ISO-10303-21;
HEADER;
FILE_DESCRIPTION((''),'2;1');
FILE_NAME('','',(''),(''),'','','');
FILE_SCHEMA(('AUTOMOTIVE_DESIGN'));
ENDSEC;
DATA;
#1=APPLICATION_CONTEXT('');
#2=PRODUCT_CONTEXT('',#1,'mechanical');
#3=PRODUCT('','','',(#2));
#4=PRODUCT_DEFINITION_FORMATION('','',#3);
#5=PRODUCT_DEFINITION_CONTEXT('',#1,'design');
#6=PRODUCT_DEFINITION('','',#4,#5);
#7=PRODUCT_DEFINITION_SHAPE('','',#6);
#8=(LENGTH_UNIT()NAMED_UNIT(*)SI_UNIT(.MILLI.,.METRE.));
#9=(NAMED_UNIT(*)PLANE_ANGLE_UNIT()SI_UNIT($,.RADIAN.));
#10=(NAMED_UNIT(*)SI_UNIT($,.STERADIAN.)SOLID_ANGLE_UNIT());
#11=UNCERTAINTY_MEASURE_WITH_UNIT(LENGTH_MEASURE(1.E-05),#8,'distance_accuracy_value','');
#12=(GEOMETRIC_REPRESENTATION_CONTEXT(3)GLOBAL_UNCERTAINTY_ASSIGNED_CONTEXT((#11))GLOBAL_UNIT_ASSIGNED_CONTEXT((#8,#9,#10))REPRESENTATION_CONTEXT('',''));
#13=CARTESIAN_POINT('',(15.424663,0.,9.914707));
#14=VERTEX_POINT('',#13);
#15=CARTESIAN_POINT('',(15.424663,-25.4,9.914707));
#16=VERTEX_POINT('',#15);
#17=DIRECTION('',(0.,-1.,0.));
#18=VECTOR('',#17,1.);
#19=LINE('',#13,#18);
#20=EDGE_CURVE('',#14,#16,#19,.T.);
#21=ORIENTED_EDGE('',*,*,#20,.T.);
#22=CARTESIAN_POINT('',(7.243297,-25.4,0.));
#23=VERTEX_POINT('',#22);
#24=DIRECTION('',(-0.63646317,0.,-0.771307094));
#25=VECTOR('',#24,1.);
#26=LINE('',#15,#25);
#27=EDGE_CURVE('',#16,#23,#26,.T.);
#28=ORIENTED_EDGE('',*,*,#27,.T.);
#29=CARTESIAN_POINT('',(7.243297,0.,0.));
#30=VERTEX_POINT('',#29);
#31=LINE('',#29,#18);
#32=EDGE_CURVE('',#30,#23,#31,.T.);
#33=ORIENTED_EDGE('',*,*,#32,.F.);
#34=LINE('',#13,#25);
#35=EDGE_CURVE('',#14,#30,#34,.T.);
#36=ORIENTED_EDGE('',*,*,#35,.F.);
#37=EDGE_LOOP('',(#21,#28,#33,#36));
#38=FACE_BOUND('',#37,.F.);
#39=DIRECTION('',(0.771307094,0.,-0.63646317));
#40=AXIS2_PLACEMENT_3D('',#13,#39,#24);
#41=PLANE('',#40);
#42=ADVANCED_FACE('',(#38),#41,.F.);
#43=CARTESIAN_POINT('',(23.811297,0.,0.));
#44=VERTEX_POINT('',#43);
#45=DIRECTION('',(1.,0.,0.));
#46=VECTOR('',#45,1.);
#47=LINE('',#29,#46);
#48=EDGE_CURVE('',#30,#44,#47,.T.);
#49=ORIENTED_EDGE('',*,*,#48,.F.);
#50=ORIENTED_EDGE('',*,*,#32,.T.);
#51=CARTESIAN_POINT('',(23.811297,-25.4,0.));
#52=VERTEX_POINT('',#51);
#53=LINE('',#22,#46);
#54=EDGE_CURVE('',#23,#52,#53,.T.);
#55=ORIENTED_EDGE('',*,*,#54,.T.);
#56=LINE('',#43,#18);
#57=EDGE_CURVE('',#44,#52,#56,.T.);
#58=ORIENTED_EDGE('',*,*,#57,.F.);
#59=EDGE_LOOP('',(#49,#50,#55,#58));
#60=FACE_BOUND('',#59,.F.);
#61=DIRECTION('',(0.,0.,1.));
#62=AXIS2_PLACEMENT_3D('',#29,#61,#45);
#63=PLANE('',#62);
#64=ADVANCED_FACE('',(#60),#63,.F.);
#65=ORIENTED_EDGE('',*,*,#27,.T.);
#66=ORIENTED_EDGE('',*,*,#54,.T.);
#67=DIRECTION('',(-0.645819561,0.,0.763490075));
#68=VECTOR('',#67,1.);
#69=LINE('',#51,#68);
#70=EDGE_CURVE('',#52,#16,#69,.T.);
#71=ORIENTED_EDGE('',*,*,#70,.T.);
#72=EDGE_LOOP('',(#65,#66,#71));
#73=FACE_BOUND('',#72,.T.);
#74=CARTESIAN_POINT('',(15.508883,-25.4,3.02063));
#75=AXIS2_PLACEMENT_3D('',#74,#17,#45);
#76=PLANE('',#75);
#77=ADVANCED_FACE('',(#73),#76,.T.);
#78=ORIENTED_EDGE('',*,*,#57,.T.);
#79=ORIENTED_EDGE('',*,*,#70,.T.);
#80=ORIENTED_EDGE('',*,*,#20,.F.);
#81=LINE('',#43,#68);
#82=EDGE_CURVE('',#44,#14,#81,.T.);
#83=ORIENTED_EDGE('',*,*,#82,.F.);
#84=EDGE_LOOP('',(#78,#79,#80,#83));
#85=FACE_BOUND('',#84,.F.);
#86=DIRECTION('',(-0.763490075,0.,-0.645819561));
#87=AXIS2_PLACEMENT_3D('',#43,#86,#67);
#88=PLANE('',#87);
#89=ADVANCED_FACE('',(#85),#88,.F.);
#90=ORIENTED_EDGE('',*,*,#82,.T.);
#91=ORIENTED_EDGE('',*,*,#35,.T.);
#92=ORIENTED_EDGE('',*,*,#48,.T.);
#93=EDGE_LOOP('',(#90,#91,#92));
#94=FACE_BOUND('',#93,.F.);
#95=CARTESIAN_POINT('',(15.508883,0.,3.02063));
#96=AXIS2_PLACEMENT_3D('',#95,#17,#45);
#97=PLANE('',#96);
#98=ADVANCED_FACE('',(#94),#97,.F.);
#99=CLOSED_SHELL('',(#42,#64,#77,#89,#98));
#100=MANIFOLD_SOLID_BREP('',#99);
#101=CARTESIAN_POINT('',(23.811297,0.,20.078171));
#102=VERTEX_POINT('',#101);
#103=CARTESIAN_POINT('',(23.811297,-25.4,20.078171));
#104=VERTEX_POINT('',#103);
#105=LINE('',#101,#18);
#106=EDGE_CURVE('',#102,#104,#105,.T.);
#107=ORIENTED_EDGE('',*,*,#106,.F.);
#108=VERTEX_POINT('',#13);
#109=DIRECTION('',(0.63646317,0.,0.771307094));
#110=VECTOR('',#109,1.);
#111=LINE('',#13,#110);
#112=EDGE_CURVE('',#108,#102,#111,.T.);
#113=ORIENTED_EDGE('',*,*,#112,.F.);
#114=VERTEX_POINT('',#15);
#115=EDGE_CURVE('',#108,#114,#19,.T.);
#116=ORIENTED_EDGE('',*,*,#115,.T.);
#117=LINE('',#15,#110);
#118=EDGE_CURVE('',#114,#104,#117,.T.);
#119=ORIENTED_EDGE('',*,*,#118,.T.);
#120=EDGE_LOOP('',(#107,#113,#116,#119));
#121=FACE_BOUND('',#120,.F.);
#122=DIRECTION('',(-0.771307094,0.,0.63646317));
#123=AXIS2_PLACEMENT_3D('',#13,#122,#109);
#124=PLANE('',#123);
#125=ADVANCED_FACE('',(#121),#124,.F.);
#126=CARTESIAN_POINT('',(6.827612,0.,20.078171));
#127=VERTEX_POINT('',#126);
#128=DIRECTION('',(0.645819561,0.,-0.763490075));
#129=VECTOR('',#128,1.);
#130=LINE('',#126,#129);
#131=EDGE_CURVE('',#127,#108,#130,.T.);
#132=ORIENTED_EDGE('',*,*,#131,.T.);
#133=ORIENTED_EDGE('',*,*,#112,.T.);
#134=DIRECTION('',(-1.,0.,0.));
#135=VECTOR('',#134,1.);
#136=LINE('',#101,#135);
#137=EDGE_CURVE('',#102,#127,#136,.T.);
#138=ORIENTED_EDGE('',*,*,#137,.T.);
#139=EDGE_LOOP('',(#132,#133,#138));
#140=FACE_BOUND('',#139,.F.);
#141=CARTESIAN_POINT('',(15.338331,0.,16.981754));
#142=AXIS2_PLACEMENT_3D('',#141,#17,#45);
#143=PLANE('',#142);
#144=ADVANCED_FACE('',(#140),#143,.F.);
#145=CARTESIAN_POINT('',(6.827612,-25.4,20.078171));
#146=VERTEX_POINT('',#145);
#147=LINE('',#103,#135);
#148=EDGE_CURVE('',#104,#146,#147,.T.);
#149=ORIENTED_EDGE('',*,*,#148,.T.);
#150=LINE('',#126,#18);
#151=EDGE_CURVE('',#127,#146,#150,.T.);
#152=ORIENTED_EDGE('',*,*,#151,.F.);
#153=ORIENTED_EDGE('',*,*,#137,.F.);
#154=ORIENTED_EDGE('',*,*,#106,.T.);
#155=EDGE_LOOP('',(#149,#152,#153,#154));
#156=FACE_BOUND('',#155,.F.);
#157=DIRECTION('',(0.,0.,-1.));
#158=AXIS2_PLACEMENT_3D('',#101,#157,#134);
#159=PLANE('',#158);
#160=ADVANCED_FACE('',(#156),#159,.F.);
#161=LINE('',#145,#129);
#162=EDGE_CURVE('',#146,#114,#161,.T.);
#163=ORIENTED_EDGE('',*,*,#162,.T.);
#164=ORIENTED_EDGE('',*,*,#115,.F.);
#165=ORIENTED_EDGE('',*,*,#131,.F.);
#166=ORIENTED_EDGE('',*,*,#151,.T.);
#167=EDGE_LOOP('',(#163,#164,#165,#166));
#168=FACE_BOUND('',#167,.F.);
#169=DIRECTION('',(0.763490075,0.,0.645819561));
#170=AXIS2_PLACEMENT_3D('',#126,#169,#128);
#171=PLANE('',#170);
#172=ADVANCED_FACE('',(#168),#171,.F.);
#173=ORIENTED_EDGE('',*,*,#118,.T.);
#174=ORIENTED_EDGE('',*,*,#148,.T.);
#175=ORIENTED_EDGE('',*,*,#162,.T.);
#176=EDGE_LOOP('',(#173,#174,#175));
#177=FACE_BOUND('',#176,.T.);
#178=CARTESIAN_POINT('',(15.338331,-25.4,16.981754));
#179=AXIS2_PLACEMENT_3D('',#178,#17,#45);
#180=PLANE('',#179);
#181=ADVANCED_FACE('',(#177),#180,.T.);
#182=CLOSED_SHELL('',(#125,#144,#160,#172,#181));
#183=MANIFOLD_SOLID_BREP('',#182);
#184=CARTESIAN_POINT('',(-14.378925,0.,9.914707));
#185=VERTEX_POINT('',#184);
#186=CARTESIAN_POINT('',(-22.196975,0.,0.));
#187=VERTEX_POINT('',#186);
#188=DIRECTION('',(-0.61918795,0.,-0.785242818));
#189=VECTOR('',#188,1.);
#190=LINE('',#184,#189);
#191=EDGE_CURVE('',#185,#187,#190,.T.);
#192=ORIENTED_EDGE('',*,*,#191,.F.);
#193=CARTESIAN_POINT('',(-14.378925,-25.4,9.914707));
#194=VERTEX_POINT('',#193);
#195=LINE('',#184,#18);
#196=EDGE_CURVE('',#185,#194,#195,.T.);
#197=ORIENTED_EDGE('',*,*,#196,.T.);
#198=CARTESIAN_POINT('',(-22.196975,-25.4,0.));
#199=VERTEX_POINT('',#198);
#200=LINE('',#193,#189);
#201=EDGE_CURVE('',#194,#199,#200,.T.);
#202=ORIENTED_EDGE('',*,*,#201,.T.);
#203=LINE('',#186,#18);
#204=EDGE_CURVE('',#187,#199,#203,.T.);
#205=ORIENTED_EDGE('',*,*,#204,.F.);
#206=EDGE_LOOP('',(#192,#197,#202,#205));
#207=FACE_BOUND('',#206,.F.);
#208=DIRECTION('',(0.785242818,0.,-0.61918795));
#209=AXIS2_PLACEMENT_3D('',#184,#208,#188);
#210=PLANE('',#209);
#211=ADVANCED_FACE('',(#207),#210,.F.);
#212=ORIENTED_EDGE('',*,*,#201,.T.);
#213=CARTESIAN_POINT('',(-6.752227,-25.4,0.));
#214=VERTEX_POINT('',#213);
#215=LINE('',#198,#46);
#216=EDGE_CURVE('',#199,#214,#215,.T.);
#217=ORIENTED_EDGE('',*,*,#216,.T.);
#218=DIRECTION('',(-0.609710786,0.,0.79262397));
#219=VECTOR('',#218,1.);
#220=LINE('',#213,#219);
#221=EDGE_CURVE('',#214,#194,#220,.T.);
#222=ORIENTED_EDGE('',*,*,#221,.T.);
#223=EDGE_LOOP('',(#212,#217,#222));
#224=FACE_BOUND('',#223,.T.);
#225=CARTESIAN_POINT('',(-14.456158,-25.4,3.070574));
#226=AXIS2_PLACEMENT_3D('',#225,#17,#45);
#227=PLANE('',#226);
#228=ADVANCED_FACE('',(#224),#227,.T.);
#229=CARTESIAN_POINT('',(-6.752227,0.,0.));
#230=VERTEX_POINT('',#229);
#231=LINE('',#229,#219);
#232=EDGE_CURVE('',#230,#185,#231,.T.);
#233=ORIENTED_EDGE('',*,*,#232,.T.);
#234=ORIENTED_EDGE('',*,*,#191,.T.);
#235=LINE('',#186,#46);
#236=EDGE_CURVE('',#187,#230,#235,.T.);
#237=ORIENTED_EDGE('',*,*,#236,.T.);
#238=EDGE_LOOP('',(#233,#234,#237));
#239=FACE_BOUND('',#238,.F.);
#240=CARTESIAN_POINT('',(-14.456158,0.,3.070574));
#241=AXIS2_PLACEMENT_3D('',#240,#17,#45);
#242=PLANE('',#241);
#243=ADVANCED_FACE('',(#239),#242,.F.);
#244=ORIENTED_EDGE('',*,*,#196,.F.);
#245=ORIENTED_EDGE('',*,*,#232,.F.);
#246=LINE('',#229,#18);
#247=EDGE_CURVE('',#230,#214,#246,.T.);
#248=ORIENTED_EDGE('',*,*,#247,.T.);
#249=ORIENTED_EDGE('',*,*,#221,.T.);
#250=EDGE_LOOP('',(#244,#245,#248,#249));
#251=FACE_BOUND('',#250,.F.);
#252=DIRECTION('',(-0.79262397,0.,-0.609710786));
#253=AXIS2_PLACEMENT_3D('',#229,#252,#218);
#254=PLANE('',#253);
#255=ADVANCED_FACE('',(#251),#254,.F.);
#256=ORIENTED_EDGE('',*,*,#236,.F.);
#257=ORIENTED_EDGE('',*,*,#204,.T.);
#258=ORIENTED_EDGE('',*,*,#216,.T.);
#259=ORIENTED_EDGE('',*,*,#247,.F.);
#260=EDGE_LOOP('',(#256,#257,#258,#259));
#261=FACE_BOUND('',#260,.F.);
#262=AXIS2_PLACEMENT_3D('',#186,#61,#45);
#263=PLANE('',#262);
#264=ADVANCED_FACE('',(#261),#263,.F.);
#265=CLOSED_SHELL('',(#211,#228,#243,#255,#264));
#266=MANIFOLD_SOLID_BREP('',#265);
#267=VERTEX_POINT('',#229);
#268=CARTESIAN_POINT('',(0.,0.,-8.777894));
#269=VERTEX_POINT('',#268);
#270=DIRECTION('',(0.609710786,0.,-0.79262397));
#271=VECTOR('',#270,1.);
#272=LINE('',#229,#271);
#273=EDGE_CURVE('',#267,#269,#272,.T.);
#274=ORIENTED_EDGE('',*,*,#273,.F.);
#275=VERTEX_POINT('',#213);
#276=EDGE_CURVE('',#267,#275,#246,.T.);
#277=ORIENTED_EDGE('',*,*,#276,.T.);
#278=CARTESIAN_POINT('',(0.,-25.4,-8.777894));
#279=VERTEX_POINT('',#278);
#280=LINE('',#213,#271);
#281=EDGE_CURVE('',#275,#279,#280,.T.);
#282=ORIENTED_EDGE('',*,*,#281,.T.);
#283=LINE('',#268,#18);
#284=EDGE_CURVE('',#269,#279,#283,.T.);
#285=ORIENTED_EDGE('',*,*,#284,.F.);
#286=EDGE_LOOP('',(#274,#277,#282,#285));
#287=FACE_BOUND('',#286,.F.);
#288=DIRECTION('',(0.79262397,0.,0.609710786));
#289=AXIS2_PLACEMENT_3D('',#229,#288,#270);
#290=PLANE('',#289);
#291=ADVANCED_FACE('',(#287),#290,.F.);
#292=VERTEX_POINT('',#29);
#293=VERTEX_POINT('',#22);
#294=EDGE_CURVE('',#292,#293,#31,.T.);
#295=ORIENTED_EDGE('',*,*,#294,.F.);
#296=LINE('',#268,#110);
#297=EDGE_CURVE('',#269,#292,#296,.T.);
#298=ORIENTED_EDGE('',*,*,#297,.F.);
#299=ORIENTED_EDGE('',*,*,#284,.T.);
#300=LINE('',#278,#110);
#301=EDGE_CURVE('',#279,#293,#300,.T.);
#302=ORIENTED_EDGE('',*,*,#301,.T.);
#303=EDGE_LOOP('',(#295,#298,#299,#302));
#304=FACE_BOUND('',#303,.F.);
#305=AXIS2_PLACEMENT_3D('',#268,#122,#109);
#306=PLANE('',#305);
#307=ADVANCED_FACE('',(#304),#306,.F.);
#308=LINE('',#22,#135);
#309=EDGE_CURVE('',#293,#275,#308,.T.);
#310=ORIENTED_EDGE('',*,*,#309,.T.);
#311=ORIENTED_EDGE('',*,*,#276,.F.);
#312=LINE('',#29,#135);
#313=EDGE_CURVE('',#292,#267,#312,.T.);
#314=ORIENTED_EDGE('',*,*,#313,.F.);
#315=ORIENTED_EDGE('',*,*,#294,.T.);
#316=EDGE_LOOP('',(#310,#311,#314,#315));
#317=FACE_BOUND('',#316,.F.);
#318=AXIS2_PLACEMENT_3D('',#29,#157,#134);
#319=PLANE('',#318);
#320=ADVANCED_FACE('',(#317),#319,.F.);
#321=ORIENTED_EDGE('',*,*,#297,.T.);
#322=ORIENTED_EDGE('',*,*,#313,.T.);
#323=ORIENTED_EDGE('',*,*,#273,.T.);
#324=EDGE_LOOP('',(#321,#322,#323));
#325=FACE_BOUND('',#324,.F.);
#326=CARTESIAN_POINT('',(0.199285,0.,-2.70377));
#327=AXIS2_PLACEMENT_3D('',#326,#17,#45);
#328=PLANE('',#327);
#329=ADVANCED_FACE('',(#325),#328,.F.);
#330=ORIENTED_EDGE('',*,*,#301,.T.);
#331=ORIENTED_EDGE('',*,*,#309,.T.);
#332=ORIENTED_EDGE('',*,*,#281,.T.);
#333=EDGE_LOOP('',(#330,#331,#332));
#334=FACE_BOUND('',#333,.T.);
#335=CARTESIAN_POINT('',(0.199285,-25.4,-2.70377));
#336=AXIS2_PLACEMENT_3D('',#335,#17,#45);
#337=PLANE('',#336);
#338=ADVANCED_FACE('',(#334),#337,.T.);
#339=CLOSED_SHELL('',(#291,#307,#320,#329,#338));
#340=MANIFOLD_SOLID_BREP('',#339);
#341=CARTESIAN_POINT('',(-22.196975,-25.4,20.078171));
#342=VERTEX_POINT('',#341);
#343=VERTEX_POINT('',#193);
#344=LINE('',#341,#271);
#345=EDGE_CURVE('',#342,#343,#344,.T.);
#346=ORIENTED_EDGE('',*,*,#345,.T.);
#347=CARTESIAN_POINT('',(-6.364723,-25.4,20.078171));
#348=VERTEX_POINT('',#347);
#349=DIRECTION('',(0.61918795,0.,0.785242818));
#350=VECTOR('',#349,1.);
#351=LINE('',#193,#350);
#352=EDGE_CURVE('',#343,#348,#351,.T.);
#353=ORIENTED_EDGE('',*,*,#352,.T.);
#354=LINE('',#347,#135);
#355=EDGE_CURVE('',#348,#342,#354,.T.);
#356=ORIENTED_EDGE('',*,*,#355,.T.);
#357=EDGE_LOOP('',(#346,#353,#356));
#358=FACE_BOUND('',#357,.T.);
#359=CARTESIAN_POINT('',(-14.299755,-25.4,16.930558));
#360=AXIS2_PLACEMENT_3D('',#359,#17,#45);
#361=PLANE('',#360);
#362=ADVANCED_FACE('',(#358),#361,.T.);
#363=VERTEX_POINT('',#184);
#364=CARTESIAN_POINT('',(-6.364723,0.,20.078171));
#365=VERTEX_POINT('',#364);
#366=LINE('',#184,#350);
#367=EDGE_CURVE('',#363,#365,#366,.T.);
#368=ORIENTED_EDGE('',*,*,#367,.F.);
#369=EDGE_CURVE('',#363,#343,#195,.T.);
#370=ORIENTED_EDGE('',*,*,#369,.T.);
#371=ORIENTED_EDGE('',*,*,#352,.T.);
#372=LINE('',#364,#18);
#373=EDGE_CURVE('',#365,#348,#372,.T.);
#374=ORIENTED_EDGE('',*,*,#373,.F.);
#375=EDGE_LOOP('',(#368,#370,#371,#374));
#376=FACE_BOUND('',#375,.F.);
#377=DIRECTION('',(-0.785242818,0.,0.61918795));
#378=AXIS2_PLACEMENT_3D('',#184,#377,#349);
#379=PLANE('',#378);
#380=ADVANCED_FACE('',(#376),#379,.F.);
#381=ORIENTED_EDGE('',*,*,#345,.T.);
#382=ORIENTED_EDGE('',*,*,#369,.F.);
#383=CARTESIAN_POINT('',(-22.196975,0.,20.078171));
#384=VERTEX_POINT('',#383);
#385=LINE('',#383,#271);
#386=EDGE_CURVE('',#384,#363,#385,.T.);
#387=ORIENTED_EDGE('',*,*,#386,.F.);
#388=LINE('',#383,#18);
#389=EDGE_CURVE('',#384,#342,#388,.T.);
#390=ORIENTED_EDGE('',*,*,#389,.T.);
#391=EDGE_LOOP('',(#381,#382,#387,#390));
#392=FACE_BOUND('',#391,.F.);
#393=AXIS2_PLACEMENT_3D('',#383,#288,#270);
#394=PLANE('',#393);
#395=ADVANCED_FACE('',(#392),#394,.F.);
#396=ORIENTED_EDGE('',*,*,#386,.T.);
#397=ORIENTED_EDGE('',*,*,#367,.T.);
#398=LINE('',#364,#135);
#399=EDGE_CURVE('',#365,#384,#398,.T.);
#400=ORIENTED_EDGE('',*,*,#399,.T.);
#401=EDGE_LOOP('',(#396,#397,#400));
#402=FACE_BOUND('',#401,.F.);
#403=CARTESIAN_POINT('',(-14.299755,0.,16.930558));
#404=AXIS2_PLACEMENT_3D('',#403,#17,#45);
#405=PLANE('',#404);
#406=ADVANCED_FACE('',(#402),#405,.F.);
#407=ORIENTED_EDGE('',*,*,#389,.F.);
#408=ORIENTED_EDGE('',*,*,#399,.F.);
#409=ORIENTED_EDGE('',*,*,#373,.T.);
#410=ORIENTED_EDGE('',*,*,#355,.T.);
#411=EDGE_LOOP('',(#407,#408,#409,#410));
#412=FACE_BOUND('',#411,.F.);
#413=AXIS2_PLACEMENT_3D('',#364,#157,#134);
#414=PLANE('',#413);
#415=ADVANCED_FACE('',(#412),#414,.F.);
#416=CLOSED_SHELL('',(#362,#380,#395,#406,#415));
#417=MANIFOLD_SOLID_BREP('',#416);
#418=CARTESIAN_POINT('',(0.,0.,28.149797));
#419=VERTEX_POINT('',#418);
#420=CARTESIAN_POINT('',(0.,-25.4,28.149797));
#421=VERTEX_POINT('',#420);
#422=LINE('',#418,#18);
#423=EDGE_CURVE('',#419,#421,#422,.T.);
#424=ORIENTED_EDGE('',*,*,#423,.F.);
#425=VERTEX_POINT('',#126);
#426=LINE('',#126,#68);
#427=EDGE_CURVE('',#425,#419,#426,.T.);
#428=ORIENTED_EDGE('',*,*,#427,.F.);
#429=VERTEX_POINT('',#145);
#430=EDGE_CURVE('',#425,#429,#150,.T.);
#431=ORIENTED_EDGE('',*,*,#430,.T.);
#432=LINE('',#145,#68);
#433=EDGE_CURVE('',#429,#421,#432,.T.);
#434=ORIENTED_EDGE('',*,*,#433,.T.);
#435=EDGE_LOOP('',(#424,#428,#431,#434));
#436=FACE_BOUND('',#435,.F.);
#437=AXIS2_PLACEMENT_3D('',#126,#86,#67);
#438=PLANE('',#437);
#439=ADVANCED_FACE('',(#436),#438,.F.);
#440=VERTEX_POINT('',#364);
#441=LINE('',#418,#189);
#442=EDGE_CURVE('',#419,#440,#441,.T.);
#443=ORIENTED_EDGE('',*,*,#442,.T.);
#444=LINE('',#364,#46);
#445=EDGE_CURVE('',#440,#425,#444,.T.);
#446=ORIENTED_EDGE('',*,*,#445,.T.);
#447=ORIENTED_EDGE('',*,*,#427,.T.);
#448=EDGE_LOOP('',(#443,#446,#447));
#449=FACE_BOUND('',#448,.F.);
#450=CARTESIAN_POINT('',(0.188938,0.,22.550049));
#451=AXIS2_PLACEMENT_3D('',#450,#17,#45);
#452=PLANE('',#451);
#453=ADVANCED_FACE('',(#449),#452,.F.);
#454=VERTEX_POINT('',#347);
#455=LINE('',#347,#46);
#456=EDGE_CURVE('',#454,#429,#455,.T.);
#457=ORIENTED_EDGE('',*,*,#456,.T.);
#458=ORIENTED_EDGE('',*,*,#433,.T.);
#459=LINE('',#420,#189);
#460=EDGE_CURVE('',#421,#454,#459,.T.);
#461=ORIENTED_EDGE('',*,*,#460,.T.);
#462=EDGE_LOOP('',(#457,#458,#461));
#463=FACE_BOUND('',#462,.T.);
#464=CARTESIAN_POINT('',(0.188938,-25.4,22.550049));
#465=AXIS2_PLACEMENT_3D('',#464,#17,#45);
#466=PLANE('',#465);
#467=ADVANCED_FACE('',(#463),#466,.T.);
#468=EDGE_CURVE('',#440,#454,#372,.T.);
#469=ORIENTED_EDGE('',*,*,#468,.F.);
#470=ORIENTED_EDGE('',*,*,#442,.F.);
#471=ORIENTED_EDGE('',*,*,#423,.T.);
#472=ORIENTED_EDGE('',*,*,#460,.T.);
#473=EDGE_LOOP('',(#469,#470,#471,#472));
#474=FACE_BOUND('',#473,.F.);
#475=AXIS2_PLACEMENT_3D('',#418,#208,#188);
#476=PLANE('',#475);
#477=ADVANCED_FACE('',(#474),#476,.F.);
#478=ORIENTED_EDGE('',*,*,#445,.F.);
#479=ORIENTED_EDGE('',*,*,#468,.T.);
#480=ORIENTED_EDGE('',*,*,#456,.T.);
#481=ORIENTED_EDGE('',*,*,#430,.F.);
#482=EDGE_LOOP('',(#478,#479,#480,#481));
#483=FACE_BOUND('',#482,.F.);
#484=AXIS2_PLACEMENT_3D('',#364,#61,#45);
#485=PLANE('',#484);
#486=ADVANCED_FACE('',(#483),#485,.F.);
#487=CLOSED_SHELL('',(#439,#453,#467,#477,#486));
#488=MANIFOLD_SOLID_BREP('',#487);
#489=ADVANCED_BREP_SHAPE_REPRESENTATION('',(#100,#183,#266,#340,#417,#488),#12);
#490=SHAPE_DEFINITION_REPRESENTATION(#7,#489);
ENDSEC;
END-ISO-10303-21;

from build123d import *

# Parameters (mm, degrees)
F1_DEPTH = 25.4
F2_DEPTH = 25.4


with BuildPart() as f1:
    # F0 (on Front) → F1 (new body)
    with BuildSketch(Plane.XZ):
        Polygon((6.8276116135, 20.0781710446), (15.4246633988, 9.9147072672), (23.8112974912, 20.0781710446), align=None)
    extrude(amount=F1_DEPTH)


with BuildPart() as f1b:
    # F0 (on Front) → F1, piece 2 (new body)
    with BuildSketch(Plane.XZ):
        Polygon((0, -8.7778940797), (7.2432969075, 0), (-6.752226651, 0), align=None)
    extrude(amount=F1_DEPTH)


with BuildPart() as f1c:
    # F0 (on Front) → F1, piece 3 (new body)
    with BuildSketch(Plane.XZ):
        Polygon((-22.1969746053, 20.0781710446), (-14.3789250412, 9.9147072672), (-6.3647233695, 20.0781710446), align=None)
    extrude(amount=F1_DEPTH)


with BuildPart() as f2:
    # F0 (on Front) → F2 (new body)
    with BuildSketch(Plane.XZ):
        Polygon((-22.1969746053, 0), (-6.752226651, 0), (-14.3789250412, 9.9147072672), align=None)
    extrude(amount=F2_DEPTH)


with BuildPart() as f2b:
    # F0 (on Front) → F2, piece 2 (new body)
    with BuildSketch(Plane.XZ):
        Polygon((-6.3647233695, 20.0781710446), (6.8276116135, 20.0781710446), (0, 28.1497966498), align=None)
    extrude(amount=F2_DEPTH)


with BuildPart() as f2c:
    # F0 (on Front) → F2, piece 3 (new body)
    with BuildSketch(Plane.XZ):
        Polygon((7.2432969075, 0), (23.8112974912, 0), (15.4246633988, 9.9147072672), align=None)
    extrude(amount=F2_DEPTH)


solid = Compound([f1.part, f1b.part, f1c.part, f2.part, f2b.part, f2c.part])
